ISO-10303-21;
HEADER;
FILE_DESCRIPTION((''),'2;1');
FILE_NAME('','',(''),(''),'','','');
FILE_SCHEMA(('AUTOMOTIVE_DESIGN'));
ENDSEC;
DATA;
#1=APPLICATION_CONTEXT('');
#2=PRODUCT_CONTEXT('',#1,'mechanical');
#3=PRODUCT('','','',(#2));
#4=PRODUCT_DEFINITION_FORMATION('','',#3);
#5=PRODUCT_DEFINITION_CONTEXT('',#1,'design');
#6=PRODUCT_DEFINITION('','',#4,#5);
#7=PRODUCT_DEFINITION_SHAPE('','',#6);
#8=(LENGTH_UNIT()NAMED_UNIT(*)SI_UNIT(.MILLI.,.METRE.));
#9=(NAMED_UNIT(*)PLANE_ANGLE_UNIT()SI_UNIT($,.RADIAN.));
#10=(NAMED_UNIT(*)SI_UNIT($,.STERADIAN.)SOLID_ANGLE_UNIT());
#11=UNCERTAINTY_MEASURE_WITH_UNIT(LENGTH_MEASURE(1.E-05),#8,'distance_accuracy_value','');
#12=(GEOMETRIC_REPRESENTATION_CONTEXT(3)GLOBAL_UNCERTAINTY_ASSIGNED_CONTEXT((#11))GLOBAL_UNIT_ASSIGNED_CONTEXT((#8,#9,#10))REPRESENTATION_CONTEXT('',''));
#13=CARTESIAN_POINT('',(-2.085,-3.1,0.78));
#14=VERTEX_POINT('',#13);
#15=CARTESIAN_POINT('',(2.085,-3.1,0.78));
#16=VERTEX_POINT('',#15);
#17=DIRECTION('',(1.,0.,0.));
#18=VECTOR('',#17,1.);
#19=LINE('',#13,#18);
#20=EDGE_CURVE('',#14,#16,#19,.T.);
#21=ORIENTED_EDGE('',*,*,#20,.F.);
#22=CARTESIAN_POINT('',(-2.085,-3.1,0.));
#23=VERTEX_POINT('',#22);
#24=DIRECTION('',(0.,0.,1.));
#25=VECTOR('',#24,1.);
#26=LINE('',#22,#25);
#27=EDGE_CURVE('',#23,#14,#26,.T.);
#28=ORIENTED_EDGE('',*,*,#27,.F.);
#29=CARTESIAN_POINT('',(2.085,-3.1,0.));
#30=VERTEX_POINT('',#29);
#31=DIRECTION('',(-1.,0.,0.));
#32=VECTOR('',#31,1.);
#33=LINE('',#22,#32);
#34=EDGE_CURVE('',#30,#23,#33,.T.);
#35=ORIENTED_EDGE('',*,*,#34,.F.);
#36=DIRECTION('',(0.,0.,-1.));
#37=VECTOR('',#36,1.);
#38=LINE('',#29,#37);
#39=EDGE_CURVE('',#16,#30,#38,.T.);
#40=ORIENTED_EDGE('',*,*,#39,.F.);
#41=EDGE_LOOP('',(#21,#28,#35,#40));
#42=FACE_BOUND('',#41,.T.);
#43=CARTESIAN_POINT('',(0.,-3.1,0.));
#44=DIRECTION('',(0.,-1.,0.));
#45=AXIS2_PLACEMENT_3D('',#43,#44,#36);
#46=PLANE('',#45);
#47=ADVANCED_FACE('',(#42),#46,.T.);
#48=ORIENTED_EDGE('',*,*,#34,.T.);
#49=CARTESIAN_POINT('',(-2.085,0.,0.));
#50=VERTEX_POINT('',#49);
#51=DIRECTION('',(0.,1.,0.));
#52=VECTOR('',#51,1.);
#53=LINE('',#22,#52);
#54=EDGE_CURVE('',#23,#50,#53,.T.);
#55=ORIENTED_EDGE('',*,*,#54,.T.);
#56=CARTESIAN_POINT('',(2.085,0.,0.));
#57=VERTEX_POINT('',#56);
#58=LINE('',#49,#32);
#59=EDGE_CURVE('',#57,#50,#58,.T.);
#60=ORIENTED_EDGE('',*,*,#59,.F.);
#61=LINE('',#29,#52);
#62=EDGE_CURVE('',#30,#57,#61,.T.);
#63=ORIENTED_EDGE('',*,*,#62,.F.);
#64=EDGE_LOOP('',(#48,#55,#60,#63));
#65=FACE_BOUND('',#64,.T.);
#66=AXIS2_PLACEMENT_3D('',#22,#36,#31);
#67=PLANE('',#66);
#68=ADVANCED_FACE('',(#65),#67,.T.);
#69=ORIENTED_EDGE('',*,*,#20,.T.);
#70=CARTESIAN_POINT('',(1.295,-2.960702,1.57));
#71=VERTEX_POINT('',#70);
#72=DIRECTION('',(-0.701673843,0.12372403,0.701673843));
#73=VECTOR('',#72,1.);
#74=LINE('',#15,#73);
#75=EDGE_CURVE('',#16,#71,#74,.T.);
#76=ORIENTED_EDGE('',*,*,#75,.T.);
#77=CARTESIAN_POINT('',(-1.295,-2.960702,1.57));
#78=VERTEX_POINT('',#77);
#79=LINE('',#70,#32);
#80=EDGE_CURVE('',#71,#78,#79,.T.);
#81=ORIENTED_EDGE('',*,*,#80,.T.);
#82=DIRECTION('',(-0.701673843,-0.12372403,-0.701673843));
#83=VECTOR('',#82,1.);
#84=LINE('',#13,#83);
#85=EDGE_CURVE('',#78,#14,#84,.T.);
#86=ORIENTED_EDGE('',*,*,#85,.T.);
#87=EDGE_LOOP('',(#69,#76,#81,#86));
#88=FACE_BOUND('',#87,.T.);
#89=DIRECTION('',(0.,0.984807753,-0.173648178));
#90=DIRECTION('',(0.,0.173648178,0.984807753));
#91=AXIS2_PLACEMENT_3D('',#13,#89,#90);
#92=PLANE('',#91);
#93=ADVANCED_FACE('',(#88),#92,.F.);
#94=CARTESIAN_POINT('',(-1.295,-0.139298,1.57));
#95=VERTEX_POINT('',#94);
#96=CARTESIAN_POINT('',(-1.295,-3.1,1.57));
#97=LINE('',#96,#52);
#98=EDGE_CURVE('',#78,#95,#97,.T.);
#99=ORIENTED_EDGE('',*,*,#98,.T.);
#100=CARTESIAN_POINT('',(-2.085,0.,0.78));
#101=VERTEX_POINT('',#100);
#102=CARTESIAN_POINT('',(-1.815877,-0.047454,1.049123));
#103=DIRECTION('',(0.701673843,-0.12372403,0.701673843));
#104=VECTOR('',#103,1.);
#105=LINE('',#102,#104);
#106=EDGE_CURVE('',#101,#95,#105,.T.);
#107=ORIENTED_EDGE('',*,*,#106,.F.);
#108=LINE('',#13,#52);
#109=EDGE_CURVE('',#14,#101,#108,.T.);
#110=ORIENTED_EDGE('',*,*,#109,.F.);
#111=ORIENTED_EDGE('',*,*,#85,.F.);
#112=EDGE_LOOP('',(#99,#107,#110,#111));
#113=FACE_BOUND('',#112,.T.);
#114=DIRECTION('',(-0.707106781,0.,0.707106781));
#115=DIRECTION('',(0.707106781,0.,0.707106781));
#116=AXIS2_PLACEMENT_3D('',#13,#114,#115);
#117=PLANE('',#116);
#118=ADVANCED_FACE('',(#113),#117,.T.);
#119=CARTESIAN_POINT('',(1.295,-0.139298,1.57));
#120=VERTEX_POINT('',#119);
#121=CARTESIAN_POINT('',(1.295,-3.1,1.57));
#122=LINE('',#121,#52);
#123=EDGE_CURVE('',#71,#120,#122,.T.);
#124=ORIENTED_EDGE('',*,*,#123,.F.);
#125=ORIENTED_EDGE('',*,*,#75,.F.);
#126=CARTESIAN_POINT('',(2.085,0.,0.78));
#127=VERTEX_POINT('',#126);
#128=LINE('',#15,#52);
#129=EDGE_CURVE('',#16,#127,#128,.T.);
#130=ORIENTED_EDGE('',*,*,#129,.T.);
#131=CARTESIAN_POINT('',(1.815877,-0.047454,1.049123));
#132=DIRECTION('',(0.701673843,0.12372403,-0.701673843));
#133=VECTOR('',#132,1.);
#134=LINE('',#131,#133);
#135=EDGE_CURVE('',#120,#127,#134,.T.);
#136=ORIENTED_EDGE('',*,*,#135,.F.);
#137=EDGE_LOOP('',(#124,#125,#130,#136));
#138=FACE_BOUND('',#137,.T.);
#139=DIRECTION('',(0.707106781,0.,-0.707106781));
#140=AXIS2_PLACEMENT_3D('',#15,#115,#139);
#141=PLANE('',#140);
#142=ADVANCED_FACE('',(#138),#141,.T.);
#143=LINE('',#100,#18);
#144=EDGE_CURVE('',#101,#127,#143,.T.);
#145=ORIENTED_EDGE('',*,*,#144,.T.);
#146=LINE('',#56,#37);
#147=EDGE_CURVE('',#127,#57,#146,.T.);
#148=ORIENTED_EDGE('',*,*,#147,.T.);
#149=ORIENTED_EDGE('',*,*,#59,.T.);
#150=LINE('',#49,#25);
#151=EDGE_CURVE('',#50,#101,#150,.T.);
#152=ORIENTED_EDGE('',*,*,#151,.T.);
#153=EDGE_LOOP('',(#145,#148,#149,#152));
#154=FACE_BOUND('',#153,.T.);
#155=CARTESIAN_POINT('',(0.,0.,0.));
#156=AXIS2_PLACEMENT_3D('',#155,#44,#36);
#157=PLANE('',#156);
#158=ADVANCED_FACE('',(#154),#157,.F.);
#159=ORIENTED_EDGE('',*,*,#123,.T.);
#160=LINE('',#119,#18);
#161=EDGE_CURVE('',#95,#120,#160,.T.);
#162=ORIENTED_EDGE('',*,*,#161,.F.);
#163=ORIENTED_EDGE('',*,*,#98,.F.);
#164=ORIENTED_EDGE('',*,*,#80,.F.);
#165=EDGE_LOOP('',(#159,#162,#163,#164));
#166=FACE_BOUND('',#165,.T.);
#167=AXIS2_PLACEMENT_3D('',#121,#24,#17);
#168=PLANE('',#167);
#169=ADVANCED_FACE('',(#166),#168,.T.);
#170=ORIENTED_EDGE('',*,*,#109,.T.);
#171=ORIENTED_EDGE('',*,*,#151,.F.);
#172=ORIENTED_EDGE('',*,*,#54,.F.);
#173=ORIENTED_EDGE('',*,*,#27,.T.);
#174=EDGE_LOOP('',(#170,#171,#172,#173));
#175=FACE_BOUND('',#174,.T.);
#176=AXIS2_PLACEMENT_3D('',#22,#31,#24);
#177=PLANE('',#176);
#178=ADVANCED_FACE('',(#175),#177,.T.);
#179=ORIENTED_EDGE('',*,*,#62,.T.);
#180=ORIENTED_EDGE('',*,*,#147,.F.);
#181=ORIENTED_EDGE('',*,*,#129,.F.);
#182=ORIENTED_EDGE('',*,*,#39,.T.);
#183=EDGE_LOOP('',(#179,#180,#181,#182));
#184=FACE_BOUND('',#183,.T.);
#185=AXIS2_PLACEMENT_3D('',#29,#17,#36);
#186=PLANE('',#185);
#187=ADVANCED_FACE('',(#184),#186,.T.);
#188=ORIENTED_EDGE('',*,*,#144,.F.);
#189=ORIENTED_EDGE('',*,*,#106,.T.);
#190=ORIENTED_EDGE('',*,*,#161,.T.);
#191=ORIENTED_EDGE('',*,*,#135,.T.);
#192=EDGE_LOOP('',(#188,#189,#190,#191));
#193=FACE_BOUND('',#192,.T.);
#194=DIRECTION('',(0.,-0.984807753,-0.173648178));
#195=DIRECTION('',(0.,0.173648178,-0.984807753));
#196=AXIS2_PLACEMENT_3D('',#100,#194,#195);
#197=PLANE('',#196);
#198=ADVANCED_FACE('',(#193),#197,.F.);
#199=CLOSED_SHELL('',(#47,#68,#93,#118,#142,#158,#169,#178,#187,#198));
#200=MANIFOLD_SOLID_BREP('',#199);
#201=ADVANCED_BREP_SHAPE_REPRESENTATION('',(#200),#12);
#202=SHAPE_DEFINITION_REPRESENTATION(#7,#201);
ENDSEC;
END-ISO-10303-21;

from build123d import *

# Parameters (mm, degrees)
BOSS_EXTRUDE1_DEPTH = 3.1
CUT_EXTRUDE1_DEPTH  = 6.428056743


with BuildPart() as part:
    # Sketch2 → Boss-Extrude1 (new body)
    with BuildSketch(Plane(origin=(0, 0, 0), x_dir=(1, 0, 0), z_dir=(0, 1, 0))):
        Polygon((-2.085, 0), (2.085, 0), (2.085, -0.78), (1.295, -1.57), (-1.295, -1.57), (-2.085, -0.78), align=None)
    extrude(amount=-BOSS_EXTRUDE1_DEPTH)

    # Sketch4 → Cut-Extrude1 (cut, through all)
    with BuildSketch(Plane(origin=(2.085, 0, 0), x_dir=(0, 0, -1), z_dir=(1, 0, 0))):
        Polygon((-0.78, 0), (-2.734960496, -0.344712282), (-2.734960496, 0), align=None)
        Polygon((-0.78, -3.1), (-2.582357752, -2.782195699), (-2.582357752, -3.1), align=None)
    extrude(amount=-CUT_EXTRUDE1_DEPTH, mode=Mode.SUBTRACT)


solid = part.part
